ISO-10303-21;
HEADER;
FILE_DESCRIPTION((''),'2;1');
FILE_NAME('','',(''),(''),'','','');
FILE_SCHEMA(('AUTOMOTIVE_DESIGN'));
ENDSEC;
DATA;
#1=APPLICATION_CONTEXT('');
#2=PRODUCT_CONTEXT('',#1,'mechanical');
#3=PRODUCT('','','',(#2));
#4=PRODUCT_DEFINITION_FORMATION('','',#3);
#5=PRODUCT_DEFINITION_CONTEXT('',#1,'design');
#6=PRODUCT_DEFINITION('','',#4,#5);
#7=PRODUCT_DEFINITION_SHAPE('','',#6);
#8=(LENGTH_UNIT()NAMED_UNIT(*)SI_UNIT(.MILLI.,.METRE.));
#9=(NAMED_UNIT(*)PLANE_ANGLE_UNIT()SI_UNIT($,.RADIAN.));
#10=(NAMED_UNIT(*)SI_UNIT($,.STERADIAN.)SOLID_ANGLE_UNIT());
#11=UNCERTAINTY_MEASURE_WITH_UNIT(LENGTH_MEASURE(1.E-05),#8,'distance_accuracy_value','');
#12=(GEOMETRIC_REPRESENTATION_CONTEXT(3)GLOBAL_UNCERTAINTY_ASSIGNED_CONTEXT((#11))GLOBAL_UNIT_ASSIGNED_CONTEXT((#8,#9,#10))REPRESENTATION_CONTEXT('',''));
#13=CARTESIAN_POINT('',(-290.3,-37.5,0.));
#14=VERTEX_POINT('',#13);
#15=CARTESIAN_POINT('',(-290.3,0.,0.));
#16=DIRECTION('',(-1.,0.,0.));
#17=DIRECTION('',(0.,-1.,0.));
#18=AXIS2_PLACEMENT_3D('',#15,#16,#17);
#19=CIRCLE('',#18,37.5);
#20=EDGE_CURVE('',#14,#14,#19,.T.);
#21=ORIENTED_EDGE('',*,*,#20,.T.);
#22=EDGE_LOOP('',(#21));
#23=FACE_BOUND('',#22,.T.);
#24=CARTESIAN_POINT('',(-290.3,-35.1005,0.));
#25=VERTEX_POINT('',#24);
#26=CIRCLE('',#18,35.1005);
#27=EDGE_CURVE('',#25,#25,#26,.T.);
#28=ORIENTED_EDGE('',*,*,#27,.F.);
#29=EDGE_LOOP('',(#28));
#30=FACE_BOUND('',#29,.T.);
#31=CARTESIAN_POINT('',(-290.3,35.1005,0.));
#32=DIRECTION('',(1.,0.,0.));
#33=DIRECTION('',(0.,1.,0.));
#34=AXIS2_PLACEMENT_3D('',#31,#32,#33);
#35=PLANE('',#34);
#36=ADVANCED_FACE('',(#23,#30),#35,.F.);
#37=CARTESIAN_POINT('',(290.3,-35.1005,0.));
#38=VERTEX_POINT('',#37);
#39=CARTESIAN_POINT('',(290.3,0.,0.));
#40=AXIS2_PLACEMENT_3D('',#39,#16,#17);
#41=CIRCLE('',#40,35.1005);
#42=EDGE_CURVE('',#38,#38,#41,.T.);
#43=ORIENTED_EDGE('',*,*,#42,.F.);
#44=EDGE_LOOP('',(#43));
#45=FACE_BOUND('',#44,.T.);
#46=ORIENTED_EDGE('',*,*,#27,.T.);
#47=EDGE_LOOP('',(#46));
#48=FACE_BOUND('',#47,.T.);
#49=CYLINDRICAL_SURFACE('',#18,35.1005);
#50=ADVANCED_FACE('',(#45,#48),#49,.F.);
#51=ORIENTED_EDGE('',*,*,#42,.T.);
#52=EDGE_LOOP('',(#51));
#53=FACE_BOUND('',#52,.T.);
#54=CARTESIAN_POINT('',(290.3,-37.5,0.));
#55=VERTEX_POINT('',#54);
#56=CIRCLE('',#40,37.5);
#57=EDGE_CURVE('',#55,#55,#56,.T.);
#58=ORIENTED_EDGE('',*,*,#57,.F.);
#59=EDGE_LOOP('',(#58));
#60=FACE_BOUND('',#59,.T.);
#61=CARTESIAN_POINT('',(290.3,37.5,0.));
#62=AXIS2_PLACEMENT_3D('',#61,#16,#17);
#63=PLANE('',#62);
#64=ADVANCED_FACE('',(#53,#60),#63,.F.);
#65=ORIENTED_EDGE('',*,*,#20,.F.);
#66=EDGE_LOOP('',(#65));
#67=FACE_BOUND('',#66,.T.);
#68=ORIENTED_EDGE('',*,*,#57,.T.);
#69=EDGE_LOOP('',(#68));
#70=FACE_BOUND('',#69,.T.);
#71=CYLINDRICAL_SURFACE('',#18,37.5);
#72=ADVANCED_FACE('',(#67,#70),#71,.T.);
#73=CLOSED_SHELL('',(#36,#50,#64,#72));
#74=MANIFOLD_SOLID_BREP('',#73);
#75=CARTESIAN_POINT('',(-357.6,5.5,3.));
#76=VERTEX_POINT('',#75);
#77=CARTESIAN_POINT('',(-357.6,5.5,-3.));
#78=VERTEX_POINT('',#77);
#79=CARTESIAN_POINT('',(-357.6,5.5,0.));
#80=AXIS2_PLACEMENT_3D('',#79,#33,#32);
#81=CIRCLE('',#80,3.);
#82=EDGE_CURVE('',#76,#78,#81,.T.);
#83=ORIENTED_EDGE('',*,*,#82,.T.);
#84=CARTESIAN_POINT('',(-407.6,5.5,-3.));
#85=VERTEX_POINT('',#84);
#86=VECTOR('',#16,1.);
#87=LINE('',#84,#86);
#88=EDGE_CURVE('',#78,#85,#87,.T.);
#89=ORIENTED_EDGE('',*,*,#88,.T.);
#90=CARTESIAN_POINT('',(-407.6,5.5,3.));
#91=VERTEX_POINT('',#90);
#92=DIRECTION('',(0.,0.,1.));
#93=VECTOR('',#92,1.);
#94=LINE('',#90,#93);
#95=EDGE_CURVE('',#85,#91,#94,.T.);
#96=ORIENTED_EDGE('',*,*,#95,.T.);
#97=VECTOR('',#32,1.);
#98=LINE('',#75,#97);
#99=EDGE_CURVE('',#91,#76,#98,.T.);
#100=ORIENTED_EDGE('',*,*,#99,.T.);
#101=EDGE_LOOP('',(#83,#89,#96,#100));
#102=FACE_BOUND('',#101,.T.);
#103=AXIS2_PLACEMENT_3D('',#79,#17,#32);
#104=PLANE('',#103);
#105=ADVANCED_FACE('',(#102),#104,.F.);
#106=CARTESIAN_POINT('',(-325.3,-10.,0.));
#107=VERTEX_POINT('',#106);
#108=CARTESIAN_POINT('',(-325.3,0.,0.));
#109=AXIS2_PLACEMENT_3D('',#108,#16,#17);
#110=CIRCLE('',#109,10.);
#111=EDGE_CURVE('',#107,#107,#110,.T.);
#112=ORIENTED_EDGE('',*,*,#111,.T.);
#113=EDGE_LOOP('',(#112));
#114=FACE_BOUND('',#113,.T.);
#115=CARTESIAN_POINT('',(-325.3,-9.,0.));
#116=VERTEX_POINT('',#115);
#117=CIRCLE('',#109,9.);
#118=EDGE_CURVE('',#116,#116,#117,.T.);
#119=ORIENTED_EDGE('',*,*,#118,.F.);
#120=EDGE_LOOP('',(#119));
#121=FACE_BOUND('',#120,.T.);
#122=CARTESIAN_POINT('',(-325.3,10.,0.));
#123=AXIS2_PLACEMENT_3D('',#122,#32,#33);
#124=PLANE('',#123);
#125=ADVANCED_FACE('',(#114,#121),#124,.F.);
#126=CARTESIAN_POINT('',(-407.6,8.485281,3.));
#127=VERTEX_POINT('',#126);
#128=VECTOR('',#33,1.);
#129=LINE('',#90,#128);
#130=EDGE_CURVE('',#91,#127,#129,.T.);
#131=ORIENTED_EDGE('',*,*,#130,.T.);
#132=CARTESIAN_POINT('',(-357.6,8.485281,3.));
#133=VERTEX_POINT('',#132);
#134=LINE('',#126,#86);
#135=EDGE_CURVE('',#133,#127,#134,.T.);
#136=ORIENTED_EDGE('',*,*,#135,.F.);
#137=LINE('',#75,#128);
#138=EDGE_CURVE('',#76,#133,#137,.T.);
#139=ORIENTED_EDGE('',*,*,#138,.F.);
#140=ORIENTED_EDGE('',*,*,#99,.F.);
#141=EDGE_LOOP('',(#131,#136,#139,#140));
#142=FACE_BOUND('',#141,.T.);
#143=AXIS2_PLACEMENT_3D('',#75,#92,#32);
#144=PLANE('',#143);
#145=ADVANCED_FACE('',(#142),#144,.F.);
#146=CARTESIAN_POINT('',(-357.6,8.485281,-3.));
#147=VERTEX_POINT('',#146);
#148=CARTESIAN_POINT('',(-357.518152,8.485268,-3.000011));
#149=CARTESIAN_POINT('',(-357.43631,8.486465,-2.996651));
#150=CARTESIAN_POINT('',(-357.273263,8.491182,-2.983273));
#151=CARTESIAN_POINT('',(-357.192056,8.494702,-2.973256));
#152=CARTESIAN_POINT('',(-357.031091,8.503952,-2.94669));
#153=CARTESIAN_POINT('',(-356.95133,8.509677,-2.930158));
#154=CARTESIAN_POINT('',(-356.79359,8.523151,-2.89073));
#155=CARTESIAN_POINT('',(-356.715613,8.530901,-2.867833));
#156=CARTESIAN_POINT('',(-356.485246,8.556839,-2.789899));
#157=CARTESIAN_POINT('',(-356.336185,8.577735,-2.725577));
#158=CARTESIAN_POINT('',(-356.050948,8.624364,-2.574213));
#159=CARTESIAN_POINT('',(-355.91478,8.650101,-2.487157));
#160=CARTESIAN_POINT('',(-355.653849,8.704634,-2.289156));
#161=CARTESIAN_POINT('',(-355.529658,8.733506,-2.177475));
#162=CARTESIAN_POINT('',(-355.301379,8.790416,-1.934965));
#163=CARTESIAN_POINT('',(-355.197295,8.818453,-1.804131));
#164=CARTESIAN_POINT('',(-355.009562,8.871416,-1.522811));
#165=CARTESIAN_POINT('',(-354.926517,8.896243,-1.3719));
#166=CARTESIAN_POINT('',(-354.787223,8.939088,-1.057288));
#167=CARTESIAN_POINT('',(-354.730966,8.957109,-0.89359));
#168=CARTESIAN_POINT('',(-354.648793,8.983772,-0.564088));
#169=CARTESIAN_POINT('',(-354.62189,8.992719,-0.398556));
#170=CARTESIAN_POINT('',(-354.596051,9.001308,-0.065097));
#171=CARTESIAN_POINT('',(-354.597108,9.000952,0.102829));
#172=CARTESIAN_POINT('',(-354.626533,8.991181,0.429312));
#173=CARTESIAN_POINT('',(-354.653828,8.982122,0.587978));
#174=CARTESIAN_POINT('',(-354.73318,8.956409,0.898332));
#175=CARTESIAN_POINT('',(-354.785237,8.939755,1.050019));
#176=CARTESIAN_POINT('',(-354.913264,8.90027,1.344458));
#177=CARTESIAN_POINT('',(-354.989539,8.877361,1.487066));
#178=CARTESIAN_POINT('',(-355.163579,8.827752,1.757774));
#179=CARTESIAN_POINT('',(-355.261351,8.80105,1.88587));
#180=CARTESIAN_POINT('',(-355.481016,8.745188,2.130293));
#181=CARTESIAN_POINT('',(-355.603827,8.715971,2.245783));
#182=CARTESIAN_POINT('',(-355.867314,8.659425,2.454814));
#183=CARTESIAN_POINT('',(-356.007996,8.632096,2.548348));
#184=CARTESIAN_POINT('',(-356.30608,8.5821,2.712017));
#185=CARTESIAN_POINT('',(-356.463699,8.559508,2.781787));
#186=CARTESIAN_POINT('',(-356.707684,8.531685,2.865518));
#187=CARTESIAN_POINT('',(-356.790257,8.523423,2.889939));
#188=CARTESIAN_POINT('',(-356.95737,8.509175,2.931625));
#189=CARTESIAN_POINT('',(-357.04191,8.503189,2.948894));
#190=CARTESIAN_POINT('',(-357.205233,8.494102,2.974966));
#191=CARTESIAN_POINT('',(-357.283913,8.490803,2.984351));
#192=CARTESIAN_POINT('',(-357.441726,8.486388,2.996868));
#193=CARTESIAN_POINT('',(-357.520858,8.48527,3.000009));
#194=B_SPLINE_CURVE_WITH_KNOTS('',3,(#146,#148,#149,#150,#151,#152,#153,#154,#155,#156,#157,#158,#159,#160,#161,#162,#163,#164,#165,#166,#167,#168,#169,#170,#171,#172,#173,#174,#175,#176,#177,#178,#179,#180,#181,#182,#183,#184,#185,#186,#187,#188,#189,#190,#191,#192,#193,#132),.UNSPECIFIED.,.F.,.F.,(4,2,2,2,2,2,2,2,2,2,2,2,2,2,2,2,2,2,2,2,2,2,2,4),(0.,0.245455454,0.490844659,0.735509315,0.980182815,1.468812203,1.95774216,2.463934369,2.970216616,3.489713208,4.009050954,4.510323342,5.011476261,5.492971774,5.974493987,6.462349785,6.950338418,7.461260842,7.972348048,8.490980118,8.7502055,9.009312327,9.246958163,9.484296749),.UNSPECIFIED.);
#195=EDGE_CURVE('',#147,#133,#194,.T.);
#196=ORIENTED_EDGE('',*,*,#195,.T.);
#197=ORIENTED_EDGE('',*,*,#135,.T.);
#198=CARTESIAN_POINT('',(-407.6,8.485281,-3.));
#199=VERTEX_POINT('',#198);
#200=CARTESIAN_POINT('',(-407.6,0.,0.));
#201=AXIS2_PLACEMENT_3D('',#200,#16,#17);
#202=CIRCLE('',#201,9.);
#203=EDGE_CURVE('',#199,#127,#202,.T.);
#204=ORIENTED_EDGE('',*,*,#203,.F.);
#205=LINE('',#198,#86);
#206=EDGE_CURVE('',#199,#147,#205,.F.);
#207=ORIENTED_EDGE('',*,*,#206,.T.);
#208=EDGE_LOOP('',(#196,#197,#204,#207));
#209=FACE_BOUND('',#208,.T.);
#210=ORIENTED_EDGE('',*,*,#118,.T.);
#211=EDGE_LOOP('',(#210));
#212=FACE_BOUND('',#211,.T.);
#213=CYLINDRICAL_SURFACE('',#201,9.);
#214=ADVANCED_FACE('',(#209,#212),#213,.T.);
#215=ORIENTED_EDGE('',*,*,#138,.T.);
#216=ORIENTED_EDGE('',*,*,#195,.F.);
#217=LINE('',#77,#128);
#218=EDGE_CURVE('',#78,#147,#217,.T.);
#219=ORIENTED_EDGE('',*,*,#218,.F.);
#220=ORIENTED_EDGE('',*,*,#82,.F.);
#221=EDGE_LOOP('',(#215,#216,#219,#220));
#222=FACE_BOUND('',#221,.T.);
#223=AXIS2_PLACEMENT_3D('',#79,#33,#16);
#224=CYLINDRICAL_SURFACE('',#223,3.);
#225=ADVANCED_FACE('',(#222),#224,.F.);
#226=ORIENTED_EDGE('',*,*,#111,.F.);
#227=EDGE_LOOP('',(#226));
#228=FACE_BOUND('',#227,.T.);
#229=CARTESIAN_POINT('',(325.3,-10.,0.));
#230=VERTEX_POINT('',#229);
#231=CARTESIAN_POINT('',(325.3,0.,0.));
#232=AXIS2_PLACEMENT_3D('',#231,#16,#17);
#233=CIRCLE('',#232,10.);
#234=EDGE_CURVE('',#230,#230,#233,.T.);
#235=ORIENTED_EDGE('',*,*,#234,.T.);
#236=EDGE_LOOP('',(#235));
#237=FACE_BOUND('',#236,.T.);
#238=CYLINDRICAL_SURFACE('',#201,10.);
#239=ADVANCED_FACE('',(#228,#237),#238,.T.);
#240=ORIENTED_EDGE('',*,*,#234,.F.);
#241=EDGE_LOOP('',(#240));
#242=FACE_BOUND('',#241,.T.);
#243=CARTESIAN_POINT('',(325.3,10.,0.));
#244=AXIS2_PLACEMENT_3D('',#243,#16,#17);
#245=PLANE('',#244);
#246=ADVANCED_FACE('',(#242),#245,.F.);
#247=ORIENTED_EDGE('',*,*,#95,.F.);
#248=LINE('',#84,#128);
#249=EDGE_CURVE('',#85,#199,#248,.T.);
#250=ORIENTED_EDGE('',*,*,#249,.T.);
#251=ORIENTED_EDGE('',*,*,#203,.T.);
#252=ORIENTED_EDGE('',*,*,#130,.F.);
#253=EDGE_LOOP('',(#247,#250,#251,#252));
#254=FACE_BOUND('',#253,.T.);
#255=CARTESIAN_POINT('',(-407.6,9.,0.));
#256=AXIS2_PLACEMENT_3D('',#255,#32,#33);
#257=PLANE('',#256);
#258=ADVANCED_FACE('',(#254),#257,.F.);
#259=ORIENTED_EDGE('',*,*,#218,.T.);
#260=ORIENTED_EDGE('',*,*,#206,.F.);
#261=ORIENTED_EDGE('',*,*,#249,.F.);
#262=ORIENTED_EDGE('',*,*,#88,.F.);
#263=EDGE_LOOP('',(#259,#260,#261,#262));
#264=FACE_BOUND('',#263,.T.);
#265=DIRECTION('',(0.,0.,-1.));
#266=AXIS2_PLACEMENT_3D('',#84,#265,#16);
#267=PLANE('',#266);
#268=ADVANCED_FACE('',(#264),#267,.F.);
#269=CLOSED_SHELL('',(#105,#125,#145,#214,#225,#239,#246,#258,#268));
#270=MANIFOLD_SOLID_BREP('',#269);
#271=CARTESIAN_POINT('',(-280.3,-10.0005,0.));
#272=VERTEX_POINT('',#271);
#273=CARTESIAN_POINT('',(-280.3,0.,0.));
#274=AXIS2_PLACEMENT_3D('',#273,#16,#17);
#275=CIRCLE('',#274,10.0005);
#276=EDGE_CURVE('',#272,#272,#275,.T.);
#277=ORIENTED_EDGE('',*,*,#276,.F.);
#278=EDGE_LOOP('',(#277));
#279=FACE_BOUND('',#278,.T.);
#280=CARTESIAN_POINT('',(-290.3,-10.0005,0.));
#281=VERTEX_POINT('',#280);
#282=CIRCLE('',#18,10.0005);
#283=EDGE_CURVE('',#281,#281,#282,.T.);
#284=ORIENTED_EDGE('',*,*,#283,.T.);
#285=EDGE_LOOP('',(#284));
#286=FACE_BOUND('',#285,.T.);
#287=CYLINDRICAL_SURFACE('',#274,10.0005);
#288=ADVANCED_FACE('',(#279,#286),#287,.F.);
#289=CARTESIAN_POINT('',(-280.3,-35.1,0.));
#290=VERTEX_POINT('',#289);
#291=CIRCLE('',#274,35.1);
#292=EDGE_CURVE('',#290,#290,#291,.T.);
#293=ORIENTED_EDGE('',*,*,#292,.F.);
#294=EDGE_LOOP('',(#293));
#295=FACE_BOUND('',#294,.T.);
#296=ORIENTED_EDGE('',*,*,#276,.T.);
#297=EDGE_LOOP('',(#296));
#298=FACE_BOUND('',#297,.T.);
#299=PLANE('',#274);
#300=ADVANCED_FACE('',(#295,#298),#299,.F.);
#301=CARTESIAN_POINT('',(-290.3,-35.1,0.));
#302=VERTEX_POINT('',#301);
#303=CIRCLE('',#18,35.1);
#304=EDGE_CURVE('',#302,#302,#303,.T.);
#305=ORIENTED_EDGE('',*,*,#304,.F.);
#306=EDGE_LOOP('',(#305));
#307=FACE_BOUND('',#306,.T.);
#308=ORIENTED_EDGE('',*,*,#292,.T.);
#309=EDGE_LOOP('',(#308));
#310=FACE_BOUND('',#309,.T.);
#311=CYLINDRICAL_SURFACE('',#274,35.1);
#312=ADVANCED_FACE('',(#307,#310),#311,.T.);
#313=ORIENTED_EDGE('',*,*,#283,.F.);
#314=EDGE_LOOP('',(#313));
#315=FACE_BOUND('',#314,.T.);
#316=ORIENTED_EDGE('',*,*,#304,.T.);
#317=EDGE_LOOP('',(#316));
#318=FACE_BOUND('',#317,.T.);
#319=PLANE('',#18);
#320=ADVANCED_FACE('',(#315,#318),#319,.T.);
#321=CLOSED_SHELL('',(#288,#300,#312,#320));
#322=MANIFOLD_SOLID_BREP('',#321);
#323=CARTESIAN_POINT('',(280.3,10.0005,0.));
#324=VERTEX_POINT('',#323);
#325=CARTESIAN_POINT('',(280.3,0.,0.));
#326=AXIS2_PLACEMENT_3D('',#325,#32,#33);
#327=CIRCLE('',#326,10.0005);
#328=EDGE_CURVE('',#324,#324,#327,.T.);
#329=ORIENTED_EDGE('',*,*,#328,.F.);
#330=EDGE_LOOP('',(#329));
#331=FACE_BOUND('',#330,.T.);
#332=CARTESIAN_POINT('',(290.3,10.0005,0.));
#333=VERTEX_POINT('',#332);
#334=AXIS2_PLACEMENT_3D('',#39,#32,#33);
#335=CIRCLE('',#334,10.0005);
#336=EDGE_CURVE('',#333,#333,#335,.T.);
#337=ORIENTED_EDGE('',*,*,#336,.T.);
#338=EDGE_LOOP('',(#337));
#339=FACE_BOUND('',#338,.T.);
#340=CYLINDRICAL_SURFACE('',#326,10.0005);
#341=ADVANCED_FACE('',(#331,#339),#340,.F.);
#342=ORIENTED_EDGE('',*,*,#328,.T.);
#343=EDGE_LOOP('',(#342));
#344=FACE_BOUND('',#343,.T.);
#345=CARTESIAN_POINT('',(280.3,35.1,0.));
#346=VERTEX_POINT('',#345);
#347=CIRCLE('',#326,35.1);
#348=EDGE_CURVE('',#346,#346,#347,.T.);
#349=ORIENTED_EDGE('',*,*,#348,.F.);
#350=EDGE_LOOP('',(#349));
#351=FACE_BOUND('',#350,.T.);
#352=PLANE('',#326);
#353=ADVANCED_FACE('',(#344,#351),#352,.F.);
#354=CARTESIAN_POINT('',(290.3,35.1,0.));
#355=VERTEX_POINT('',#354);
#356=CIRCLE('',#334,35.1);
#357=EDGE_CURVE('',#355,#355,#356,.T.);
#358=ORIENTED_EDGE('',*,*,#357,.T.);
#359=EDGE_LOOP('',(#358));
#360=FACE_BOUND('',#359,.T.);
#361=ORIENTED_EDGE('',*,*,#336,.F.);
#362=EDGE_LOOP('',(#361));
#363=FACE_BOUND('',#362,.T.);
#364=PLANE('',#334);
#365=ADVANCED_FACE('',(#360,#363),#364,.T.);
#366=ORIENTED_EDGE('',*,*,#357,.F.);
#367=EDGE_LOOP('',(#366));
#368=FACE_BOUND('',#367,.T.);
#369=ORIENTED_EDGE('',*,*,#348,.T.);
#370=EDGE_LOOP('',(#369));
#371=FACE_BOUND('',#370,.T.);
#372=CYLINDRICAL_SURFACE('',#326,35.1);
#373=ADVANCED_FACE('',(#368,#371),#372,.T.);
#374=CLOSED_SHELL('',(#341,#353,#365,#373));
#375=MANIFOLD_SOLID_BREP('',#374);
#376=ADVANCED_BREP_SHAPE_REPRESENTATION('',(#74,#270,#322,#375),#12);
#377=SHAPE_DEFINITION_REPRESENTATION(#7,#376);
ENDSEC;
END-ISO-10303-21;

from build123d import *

# Parameters (mm, degrees)
SKETCH1_W           = 580.6
SKETCH1_H           = 2.3995
SKETCH2_R           = 35.1
SKETCH2_R_2         = 10.0005
BOSS_EXTRUDE1_DEPTH = 10
SKETCH3_R           = 35.1
SKETCH3_R_2         = 10.0005
BOSS_EXTRUDE2_DEPTH = 10
CUT_EXTRUDE1_DEPTH  = 3.5


with BuildPart() as part:
    # Sketch1 → Revolve1 (revolve)
    with BuildSketch(Plane.XY, mode=Mode.PRIVATE) as revolve1_sk:
        with Locations((0, 36.30025)):
            Rectangle(SKETCH1_W, SKETCH1_H)
    revolve(revolve1_sk.sketch.rotate(Axis((-290.3, 0, 0), (1, 0, 0)), 180), axis=Axis((-290.3, 0, 0), (1, 0, 0)))


with BuildPart() as body_2:
    # Sketch2 → Boss-Extrude1 (new body)
    with BuildSketch(Plane.ZY.offset(290.3)):
        with Locations(Location((0, 0, 0), (0, 0, 270))):
            Circle(SKETCH2_R)
        with Locations(Location((0, 0, 0), (0, 0, 270))):
            Circle(SKETCH2_R_2, mode=Mode.SUBTRACT)
    extrude(amount=-BOSS_EXTRUDE1_DEPTH)


with BuildPart() as body_3:
    # Sketch3 → Boss-Extrude2 (new body)
    with BuildSketch(Plane(origin=(290.3, 0, 0), x_dir=(0, 0, -1), z_dir=(1, 0, 0))):
        with Locations(Location((0, 0, 0), (0, 0, 90))):
            Circle(SKETCH3_R)
        with Locations(Location((0, 0, 0), (0, 0, 90))):
            Circle(SKETCH3_R_2, mode=Mode.SUBTRACT)
    extrude(amount=-BOSS_EXTRUDE2_DEPTH)


with BuildPart() as body_4:
    # Sketch4 → Revolve3 (revolve)
    with BuildSketch(Plane.XY, mode=Mode.PRIVATE) as revolve3_sk:
        Polygon((-325.3, 10), (325.3, 10), (325.3, 0), (-407.6, 0), (-407.6, 9), (-325.3, 9), align=None)
    revolve(revolve3_sk.sketch.rotate(Axis((-407.6, 0, 0), (1, 0, 0)), 180), axis=Axis((-407.6, 0, 0), (1, 0, 0)))

    # Sketch5 → Cut-Extrude1 (cut)
    with BuildSketch(Plane(origin=(0, 9, 0), x_dir=(1, 0, 0), z_dir=(0, 1, 0))):
        with BuildLine():
            Line((-407.6, 3), (-357.6, 3))
            ThreePointArc((-357.6, 3), (-354.6, 0), (-357.6, -3))
            Line((-357.6, -3), (-407.6, -3))
            Line((-407.6, -3), (-407.6, 3))
        make_face()
    extrude(amount=-CUT_EXTRUDE1_DEPTH, mode=Mode.SUBTRACT)


solid = Compound([part.part, body_2.part, body_3.part, body_4.part])
